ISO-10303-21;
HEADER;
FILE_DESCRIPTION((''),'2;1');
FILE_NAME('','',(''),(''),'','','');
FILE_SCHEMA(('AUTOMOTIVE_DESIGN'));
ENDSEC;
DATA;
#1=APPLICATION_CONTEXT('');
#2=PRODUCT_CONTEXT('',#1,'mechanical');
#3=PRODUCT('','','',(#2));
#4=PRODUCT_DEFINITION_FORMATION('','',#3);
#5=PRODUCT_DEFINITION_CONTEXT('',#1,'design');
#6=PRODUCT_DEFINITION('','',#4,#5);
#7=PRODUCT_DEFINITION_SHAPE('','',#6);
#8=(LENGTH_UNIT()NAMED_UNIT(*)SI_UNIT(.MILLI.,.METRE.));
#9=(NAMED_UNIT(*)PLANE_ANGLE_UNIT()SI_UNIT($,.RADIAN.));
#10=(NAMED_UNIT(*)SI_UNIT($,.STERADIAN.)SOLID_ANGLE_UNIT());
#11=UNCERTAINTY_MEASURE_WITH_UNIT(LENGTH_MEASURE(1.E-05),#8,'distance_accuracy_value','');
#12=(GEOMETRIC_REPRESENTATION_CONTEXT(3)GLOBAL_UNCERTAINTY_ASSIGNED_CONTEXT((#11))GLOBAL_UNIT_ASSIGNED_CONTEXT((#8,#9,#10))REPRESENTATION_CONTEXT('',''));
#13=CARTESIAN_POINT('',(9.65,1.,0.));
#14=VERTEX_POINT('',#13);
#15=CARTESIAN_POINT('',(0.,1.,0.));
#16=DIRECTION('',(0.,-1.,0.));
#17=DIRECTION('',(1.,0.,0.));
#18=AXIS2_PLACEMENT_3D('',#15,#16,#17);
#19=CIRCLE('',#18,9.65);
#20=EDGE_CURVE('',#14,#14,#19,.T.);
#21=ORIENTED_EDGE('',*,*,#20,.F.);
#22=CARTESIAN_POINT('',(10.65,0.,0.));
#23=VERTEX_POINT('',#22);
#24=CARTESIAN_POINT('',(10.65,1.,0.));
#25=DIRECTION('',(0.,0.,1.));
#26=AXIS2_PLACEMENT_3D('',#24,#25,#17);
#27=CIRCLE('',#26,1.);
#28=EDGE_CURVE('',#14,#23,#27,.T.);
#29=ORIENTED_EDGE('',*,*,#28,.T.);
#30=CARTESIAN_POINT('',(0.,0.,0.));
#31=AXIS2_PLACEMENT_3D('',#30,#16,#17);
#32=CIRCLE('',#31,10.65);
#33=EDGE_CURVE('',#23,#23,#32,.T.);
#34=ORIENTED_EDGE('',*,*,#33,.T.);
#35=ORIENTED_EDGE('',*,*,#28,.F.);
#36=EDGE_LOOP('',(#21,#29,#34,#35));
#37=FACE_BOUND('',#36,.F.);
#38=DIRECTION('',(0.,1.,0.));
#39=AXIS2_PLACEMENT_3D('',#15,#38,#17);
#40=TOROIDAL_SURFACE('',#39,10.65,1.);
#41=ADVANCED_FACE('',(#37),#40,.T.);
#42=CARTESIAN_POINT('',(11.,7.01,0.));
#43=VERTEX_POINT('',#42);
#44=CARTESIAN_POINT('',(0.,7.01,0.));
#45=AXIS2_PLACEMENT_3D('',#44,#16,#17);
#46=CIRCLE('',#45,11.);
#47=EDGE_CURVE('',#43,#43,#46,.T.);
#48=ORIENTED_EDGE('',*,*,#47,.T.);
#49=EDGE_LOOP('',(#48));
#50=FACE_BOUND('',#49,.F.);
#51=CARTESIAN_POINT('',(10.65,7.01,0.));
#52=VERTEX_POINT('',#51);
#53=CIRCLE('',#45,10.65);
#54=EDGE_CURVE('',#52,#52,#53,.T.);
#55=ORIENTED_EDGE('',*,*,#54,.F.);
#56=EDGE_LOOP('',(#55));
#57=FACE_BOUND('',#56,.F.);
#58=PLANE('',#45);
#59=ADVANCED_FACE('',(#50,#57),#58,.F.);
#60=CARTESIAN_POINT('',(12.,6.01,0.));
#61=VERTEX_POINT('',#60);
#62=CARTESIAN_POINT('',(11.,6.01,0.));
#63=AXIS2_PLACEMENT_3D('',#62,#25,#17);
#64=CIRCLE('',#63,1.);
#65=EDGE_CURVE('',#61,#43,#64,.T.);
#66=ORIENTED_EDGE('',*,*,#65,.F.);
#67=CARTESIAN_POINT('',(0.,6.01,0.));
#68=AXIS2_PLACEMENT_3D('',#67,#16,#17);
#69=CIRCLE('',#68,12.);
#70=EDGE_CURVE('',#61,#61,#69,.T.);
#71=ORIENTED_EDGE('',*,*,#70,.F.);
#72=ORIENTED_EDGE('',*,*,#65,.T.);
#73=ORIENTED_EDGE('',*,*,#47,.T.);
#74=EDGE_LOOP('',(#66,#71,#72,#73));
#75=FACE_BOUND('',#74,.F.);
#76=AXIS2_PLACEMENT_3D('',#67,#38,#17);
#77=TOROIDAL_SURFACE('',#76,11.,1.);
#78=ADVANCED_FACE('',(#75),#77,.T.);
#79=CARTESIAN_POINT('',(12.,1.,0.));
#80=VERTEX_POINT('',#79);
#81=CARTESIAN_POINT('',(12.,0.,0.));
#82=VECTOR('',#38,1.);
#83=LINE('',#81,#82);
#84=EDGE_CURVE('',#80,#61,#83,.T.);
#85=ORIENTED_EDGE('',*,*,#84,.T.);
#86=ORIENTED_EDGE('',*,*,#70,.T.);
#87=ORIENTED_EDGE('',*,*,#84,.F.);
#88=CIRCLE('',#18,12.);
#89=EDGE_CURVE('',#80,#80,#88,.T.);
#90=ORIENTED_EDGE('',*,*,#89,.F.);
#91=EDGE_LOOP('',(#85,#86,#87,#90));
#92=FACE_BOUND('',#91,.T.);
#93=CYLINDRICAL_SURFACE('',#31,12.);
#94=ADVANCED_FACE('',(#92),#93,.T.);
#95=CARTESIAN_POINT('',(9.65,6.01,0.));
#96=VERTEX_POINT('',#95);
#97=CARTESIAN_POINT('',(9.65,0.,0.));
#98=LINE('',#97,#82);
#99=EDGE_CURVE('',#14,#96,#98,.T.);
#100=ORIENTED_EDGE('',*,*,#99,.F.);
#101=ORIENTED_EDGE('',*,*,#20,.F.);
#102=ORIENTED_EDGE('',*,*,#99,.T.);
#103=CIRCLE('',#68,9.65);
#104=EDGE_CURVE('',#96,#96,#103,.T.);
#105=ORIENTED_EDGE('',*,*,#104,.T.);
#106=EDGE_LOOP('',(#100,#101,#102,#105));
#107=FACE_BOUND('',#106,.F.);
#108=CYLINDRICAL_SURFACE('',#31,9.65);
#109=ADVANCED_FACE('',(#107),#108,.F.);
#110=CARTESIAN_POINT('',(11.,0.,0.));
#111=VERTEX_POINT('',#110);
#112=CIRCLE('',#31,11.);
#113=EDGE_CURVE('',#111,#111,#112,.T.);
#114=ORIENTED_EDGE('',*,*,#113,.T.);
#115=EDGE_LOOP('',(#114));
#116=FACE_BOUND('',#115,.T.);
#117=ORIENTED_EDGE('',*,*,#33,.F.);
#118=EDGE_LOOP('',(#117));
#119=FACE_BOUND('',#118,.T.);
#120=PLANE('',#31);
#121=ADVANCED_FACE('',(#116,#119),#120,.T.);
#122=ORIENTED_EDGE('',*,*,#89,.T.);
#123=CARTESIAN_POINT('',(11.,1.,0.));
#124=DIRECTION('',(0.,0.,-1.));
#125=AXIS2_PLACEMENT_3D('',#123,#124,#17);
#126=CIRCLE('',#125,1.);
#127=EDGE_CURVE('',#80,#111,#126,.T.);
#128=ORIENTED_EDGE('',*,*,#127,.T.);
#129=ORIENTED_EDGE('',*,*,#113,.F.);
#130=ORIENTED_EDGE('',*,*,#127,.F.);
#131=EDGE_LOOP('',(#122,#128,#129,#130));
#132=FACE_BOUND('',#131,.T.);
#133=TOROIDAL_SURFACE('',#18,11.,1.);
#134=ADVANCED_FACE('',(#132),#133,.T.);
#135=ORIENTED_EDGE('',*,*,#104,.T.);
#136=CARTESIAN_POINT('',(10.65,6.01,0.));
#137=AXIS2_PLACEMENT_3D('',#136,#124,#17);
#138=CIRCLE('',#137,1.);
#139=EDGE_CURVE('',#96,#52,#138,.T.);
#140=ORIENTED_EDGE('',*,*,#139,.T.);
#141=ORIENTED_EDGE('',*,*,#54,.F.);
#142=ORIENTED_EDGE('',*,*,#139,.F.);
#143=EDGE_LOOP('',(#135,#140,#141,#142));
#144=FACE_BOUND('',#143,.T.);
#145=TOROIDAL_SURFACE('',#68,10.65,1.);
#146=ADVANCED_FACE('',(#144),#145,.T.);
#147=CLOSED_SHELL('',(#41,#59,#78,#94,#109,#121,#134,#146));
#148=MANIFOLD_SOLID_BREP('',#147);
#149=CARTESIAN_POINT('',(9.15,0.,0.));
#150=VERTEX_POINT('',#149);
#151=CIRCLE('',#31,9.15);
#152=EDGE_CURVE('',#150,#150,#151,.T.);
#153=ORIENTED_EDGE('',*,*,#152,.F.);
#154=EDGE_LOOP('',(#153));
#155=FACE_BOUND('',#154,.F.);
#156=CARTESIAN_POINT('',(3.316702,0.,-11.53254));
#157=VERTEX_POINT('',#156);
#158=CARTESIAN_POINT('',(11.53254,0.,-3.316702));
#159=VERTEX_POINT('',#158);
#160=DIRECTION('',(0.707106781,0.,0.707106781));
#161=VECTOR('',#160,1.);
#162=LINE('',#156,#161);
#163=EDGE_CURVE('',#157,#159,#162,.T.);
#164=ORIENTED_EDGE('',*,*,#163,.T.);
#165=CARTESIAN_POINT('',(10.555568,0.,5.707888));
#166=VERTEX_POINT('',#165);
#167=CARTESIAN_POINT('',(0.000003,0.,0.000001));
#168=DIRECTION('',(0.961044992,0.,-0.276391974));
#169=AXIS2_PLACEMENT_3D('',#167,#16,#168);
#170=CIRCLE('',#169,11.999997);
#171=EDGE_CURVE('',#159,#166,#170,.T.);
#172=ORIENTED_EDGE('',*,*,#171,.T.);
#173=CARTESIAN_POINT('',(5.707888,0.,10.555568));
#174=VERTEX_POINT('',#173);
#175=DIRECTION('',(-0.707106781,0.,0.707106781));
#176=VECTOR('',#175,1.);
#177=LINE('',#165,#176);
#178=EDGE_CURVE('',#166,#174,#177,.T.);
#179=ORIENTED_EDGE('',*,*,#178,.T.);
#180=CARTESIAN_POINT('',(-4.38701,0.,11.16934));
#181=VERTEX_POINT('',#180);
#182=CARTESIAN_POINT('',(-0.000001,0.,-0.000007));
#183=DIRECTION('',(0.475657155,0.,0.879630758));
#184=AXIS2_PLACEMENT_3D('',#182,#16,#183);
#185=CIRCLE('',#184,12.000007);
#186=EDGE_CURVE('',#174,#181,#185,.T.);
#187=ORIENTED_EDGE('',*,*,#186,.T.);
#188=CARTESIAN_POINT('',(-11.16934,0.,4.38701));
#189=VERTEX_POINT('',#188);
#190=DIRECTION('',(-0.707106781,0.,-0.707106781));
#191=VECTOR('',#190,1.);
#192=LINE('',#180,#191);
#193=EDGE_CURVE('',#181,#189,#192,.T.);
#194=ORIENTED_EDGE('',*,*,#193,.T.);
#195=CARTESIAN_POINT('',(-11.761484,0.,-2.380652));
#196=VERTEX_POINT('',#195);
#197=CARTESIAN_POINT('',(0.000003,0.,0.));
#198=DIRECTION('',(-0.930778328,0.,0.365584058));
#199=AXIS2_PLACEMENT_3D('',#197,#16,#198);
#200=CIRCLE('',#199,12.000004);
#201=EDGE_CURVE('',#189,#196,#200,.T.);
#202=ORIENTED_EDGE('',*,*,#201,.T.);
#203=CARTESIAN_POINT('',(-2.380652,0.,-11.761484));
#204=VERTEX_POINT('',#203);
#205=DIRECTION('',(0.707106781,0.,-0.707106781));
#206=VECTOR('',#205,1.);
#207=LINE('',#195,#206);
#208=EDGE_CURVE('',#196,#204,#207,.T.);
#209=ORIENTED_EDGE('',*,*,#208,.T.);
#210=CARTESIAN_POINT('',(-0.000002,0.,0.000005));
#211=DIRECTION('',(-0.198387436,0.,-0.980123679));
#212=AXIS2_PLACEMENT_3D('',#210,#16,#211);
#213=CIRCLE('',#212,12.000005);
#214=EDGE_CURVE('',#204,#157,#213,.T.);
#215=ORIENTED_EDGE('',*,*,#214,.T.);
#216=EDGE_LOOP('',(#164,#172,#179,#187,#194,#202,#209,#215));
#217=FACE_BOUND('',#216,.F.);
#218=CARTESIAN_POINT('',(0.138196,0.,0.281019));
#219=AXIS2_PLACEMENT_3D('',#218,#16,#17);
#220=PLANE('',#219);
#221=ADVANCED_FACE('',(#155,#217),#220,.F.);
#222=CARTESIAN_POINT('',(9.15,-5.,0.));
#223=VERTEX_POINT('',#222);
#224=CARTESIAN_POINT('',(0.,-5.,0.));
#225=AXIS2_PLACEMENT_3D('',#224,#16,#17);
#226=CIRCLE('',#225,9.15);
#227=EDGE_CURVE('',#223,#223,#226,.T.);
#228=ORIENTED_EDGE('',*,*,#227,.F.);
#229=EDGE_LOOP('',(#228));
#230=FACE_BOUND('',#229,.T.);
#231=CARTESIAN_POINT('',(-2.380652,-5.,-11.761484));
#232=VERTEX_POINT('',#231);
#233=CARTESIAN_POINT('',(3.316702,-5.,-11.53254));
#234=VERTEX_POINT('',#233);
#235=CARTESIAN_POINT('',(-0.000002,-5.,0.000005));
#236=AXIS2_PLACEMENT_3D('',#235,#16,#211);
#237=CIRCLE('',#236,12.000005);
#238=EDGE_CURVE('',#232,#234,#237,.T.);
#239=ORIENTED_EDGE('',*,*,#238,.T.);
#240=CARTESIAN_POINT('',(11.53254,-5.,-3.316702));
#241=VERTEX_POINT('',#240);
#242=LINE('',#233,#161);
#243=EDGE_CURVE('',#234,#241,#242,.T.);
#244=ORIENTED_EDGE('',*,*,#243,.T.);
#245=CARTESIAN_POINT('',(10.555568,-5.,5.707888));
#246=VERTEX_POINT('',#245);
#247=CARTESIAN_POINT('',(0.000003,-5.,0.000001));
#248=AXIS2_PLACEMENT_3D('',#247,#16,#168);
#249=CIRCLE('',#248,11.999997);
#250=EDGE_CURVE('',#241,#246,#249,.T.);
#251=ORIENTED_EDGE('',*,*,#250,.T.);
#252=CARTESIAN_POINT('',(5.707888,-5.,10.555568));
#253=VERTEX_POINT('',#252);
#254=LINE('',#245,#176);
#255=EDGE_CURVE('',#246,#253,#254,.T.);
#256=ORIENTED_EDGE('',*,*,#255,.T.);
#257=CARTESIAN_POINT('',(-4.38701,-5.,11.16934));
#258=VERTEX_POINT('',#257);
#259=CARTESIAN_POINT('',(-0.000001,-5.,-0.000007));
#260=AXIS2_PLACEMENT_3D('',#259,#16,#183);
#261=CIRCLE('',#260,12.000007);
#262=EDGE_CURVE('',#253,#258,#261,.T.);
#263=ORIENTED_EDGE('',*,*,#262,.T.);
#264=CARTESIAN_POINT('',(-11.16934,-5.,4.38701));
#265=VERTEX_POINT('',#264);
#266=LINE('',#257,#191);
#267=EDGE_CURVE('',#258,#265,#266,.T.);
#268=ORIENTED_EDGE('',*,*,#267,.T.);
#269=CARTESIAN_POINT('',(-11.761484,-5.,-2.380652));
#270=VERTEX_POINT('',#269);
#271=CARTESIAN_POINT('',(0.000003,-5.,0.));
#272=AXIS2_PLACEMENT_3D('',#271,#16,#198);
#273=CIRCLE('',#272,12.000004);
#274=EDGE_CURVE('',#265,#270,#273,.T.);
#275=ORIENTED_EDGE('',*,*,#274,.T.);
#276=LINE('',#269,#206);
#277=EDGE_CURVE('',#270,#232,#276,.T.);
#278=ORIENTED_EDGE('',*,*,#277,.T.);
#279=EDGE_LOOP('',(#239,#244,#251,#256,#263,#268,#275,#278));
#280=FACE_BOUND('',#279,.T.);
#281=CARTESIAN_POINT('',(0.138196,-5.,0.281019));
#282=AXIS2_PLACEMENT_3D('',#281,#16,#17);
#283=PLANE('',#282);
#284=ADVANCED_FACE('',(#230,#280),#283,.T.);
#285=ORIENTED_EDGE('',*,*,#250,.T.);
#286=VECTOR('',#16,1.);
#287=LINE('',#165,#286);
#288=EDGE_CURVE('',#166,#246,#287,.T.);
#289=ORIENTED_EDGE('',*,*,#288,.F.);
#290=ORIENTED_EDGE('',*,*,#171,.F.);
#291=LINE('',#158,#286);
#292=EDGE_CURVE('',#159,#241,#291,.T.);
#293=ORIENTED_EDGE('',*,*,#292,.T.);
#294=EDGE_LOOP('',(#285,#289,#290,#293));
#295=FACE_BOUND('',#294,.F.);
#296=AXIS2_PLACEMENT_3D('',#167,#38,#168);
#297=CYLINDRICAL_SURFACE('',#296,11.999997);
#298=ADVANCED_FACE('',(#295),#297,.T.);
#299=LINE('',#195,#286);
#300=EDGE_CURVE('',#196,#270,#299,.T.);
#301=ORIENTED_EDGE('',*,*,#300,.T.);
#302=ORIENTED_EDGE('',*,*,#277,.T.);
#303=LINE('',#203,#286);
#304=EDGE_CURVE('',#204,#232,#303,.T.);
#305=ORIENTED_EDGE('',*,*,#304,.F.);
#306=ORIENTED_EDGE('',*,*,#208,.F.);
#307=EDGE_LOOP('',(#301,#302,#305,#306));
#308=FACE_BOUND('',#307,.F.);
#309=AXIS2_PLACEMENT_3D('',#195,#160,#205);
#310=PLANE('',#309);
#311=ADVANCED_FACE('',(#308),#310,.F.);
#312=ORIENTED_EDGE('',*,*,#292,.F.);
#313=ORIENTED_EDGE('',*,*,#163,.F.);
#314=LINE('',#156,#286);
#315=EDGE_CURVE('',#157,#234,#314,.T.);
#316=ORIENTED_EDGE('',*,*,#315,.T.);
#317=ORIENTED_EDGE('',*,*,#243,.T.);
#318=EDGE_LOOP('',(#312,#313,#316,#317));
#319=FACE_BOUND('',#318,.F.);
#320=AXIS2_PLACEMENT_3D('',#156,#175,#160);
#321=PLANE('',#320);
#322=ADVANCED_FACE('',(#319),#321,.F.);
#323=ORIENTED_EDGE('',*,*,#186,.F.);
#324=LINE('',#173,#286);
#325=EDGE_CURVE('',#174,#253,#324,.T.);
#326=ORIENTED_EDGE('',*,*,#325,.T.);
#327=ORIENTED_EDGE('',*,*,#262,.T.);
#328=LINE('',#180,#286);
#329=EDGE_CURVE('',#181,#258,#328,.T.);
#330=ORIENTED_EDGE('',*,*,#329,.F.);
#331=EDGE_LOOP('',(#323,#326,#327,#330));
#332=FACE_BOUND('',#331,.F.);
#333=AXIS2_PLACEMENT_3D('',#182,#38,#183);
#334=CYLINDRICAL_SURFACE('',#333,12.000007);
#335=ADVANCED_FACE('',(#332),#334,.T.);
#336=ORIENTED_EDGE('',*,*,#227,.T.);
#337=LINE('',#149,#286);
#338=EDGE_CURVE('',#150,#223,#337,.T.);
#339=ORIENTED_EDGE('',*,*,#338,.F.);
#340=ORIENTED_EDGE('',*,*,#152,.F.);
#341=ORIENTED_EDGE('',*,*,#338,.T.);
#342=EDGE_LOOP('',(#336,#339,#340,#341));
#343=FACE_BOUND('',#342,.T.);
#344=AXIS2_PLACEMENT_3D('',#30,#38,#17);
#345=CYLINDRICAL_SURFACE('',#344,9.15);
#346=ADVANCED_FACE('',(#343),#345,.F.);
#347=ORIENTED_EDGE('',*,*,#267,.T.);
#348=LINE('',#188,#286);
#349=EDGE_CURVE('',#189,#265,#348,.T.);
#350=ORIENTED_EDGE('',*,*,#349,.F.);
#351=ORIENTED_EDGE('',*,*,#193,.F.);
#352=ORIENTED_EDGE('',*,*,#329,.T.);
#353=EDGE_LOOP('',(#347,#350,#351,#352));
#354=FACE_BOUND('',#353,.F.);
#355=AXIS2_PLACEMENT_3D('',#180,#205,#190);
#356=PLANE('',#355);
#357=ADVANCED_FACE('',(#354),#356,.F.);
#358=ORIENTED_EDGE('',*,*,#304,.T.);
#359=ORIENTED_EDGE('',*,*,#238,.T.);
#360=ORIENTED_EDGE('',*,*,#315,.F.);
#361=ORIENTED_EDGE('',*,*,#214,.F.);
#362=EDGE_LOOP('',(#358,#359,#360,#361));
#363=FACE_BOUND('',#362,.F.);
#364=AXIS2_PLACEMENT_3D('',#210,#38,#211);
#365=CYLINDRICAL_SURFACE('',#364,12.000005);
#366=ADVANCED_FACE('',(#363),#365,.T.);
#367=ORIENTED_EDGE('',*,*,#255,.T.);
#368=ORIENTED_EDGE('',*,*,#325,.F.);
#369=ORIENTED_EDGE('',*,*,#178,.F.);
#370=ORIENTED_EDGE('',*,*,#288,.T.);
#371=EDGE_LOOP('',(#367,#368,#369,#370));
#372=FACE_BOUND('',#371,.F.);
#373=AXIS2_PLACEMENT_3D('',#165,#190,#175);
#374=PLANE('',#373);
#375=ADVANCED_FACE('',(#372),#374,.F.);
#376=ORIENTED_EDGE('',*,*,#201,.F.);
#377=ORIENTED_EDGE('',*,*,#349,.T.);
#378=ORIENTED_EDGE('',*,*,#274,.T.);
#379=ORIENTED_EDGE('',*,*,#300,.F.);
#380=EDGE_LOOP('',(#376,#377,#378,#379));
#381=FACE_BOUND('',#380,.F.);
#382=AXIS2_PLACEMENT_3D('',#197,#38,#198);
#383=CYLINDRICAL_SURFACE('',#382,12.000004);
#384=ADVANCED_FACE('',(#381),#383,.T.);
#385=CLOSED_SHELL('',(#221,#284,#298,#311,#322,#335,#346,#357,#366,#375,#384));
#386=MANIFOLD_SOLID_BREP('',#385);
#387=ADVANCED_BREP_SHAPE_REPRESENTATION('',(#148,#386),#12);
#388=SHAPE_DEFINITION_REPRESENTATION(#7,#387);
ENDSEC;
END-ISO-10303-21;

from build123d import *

# Parameters (mm, degrees)
F0_R     = 12
F0_R_2   = 9.65
F1_DEPTH = 7.01
F2_R     = 1
F3_R     = 9.65
F3_R_2   = 9.15
F4_DEPTH = 5


with BuildPart() as f1:
    # F0 (on Front) → F1 (new body)
    with BuildSketch(Plane.XZ):
        Circle(F0_R)
        Circle(F0_R_2, mode=Mode.SUBTRACT)
    extrude(amount=-F1_DEPTH)

    # F2
    f2_edges = [f1.edges().sort_by_distance(p)[0] for p in [
        (-12, 0, 0),
        (-12, 7.01, 0),
        (-9.65, 0, 0),
        (-9.65, 7.01, 0),
    ]]
    fillet(f2_edges, radius=F2_R)


with BuildPart() as f4:
    # F3 (on face) → F4 (new body)
    with BuildSketch(Plane.XZ):
        with BuildLine():
            Line((-4.38701, 11.16934), (-11.16934, 4.38701))
            ThreePointArc((-11.16934, 4.38701), (-11.954329, 1.045957), (-11.761484, -2.380652))
            Line((-11.761484, -2.380652), (-2.380652, -11.761484))
            ThreePointArc((-2.380652, -11.761484), (0.481821, -11.990323), (3.316702, -11.53254))
            Line((3.316702, -11.53254), (11.53254, -3.316702))
            ThreePointArc((11.53254, -3.316702), (11.930295, 1.291535), (10.555568, 5.707888))
            Line((10.555568, 5.707888), (5.707888, 10.555568))
            ThreePointArc((5.707888, 10.555568), (0.728257, 11.977881), (-4.38701, 11.16934))
        make_face()
        Circle(F3_R, mode=Mode.SUBTRACT)
        Circle(F3_R)
        Circle(F3_R_2, mode=Mode.SUBTRACT)
    extrude(amount=F4_DEPTH)


solid = Compound([f1.part, f4.part])
